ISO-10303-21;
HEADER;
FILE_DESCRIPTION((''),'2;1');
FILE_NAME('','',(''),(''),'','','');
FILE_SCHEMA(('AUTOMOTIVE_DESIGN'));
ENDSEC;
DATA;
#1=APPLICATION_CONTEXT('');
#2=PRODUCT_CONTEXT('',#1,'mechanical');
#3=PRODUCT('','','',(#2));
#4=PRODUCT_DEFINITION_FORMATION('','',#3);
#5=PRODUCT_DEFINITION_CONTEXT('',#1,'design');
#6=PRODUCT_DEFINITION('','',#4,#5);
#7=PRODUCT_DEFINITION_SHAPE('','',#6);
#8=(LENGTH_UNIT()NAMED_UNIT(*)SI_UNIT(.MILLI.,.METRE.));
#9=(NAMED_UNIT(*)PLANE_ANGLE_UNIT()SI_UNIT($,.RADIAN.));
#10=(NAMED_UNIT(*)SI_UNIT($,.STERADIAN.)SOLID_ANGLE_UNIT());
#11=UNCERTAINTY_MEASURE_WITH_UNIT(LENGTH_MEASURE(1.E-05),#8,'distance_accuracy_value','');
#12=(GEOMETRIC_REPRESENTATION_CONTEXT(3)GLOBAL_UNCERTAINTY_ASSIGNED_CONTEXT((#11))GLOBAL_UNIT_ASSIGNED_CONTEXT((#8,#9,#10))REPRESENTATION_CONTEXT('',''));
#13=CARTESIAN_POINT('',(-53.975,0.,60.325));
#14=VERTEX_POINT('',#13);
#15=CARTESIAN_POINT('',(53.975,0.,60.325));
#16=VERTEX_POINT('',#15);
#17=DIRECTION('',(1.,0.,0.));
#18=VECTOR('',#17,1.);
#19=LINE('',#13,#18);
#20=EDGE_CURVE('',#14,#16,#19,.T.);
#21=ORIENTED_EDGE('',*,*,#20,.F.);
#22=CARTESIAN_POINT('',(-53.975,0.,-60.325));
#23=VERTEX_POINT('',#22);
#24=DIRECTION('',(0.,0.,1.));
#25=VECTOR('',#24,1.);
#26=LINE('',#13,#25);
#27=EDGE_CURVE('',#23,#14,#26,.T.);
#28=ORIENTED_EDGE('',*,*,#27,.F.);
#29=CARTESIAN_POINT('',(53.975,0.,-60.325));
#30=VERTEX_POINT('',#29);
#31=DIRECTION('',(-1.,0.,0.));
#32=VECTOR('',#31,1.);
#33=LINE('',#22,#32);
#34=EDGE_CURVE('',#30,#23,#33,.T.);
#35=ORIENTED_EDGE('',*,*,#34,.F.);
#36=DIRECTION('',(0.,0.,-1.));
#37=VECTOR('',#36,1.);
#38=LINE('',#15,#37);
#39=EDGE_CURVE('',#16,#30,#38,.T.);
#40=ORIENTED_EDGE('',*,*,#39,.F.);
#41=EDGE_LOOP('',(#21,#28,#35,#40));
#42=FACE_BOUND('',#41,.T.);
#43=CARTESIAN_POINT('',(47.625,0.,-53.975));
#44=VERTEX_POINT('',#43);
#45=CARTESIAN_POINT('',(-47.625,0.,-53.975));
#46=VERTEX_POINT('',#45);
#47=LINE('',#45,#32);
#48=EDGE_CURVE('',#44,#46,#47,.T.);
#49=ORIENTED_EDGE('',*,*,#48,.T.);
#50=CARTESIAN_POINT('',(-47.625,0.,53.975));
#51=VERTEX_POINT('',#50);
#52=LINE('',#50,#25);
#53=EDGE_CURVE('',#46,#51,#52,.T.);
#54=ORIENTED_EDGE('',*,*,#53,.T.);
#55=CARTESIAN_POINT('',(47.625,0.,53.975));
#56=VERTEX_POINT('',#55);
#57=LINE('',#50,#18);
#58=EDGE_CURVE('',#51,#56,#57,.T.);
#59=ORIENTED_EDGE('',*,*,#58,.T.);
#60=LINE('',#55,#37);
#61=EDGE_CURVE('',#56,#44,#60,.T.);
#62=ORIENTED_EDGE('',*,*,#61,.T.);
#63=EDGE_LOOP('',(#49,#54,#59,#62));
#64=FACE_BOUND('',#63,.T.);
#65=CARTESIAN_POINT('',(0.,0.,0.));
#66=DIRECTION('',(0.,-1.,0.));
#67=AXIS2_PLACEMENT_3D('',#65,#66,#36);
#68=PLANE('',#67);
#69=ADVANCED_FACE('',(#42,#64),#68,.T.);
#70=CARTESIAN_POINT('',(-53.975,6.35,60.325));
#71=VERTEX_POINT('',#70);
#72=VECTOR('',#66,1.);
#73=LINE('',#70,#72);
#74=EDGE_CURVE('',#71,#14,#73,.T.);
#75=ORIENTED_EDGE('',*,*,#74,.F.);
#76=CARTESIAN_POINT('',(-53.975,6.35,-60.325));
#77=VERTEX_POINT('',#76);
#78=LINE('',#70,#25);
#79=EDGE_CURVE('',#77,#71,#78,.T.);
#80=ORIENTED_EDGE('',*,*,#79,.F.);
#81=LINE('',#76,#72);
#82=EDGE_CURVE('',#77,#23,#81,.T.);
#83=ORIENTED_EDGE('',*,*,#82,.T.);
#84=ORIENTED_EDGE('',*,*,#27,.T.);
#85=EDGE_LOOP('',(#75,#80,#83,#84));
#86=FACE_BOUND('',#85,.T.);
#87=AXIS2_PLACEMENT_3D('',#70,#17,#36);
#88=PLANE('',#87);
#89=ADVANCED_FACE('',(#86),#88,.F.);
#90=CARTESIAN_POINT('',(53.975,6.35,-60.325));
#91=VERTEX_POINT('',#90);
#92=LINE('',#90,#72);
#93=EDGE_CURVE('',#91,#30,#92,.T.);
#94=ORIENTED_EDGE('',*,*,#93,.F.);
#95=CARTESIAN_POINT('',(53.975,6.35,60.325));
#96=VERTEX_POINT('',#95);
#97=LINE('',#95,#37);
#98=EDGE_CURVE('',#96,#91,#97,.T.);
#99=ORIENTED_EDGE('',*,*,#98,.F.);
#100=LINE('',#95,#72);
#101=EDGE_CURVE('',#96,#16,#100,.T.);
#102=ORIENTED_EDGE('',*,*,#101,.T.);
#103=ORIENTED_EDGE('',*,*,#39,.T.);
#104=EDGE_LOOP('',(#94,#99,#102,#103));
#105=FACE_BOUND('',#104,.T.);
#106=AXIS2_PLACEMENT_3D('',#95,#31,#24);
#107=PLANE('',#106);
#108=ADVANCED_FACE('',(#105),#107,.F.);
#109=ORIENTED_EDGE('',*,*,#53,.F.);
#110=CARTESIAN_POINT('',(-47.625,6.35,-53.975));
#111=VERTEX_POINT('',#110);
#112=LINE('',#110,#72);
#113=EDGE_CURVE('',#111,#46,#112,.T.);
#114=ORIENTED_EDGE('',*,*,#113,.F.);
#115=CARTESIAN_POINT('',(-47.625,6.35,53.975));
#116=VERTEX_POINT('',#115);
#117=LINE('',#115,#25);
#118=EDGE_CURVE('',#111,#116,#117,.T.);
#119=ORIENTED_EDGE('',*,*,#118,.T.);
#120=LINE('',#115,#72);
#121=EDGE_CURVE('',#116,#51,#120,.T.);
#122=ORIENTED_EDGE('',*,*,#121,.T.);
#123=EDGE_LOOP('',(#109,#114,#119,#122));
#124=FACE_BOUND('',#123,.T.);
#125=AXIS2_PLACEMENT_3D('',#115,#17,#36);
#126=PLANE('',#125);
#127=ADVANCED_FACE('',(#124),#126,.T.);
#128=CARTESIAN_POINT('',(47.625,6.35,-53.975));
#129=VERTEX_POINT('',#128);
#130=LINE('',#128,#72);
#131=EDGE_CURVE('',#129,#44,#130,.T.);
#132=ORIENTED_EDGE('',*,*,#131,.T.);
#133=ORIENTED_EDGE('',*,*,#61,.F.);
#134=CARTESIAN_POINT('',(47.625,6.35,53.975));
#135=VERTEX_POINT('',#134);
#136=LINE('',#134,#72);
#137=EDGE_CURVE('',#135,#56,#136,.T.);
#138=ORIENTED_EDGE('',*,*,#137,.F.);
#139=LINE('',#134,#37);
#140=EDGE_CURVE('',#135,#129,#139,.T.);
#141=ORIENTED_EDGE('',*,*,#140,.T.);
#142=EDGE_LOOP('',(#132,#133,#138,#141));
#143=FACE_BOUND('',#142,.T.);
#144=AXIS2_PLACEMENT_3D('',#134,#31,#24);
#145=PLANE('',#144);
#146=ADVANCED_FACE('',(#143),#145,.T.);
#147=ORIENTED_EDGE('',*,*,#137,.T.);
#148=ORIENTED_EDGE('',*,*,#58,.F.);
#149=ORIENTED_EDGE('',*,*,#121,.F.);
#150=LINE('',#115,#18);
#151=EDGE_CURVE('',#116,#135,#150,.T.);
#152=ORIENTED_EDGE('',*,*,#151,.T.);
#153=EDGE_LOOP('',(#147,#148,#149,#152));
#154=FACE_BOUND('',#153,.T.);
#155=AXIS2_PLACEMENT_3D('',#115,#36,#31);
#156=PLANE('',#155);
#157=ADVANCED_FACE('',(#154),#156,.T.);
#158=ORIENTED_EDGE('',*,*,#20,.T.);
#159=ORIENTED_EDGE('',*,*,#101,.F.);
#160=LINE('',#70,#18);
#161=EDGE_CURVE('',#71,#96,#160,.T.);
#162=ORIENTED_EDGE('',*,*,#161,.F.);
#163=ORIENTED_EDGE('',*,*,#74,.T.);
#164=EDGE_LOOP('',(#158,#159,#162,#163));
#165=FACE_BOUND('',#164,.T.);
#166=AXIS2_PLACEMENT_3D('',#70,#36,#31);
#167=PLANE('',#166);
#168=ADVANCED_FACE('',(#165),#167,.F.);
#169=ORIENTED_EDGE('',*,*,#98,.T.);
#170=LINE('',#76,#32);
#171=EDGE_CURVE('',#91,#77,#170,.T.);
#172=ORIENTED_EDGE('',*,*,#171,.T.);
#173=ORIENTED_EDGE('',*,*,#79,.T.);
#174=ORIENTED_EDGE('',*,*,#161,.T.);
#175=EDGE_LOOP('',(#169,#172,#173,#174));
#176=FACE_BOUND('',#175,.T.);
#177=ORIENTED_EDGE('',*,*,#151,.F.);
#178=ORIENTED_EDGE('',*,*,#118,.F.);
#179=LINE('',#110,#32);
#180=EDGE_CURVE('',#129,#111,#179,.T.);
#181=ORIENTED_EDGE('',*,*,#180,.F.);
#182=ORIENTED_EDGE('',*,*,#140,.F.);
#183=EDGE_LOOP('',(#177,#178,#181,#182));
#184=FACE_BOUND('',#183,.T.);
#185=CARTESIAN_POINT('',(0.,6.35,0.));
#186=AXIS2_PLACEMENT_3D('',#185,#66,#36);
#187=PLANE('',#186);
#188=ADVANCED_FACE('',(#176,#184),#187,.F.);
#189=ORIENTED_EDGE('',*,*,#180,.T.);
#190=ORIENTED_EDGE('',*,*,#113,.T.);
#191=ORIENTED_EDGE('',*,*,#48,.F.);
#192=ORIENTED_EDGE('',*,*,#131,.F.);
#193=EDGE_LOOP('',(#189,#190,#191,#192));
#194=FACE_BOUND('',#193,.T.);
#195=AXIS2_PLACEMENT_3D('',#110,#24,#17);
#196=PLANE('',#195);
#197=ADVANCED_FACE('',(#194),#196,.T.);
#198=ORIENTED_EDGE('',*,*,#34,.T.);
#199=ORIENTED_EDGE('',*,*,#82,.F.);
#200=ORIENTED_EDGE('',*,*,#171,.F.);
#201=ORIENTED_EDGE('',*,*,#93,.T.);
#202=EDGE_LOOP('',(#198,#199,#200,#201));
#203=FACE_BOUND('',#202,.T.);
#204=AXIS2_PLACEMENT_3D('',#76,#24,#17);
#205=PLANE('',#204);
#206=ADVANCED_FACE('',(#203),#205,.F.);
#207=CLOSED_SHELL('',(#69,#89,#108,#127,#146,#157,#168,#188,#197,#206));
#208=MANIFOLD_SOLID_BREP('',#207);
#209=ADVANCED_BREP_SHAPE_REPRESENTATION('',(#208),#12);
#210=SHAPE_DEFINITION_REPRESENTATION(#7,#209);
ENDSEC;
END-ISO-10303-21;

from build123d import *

# Parameters (mm, degrees)
SKETCH1_W           = 107.95
SKETCH1_H           = 120.65
SKETCH1_W_2         = 95.25
SKETCH1_H_2         = 107.95
BOSS_EXTRUDE1_DEPTH = 6.35


with BuildPart() as part:
    # Sketch1 → Boss-Extrude1 (new body)
    with BuildSketch(Plane(origin=(0, 0, 0), x_dir=(1, 0, 0), z_dir=(0, 1, 0))):
        Rectangle(SKETCH1_W, SKETCH1_H)
        Rectangle(SKETCH1_W_2, SKETCH1_H_2, mode=Mode.SUBTRACT)
    extrude(amount=BOSS_EXTRUDE1_DEPTH)


solid = part.part
